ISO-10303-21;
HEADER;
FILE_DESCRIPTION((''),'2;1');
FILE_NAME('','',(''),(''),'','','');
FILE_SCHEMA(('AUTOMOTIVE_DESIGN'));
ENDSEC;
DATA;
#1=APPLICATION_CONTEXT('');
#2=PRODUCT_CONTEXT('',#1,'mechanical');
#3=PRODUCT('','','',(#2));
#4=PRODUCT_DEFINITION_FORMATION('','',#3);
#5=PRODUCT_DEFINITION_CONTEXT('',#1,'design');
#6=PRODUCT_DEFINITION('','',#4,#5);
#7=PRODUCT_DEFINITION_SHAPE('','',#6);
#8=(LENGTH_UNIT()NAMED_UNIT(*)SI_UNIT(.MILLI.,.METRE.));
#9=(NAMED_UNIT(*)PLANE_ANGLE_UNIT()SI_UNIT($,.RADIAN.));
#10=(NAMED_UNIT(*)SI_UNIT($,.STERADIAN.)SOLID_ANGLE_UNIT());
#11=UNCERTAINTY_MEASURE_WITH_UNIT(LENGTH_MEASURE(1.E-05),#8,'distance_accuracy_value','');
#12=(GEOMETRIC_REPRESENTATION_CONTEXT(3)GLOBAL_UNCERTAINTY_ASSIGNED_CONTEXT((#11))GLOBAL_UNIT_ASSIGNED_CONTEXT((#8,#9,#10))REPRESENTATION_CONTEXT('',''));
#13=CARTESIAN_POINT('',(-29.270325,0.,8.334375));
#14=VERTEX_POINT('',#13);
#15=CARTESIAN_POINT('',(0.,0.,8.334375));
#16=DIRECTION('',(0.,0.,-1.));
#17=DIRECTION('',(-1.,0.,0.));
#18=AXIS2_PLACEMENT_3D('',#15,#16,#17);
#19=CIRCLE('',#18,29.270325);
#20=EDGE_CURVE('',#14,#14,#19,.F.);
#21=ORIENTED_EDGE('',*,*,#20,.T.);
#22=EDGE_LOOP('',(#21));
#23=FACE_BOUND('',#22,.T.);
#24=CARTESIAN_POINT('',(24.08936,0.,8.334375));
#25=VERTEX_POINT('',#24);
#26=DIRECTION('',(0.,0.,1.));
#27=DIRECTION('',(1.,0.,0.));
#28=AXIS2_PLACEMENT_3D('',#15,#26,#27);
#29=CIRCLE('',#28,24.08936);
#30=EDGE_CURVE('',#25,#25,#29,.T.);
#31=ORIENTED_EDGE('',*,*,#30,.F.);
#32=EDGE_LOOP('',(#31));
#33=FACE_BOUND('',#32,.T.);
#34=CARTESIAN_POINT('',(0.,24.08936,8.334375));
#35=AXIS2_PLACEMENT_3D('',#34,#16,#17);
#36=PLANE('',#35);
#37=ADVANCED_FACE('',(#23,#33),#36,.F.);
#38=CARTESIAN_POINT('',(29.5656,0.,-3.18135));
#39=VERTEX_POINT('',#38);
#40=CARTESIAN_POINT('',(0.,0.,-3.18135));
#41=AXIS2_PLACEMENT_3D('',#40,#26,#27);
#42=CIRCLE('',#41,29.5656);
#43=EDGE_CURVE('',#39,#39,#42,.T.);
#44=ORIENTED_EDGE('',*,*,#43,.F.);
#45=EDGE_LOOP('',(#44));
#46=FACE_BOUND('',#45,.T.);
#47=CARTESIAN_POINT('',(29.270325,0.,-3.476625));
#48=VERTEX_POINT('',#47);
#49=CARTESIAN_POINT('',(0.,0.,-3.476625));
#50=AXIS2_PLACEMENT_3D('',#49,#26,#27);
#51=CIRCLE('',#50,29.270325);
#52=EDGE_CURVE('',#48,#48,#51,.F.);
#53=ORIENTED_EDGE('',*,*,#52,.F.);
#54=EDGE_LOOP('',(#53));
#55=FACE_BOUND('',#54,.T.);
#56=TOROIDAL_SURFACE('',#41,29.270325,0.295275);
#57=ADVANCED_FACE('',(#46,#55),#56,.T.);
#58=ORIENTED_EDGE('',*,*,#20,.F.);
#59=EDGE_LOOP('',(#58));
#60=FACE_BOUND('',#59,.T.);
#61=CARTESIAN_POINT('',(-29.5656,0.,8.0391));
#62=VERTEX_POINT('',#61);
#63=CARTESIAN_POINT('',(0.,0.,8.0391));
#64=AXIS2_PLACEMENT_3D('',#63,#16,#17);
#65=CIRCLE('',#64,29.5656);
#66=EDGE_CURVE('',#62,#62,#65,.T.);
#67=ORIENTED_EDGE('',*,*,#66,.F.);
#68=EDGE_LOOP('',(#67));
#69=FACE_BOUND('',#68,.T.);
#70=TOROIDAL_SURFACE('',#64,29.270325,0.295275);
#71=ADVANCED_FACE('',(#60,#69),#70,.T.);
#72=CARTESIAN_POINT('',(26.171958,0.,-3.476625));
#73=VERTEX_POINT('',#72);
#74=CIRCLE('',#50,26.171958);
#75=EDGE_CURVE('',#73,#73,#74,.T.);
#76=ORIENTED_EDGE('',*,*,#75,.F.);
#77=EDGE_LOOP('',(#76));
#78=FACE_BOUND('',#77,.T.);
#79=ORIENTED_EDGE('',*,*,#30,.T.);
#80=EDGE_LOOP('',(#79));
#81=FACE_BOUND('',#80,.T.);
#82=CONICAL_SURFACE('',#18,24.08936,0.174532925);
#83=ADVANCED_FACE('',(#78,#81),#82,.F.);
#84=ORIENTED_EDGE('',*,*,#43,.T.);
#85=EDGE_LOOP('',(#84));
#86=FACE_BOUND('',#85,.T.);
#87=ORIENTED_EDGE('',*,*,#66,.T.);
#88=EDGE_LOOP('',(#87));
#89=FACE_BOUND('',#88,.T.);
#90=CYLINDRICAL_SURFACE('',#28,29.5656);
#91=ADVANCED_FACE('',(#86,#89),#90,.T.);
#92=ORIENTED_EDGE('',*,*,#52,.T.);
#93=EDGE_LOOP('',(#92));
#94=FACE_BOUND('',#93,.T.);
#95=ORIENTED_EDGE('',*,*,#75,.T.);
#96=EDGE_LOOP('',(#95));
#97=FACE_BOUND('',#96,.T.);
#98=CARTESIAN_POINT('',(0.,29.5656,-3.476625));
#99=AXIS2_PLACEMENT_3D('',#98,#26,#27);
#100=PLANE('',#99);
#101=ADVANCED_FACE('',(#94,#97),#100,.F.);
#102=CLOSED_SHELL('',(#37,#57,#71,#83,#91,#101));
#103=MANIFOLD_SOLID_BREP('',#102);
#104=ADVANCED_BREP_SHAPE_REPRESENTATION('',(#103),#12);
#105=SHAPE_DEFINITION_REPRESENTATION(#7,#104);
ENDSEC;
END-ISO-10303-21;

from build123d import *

# Parameters (mm, degrees)
FILLET1_R = 0.295275


with BuildPart() as part:
    # Sketch1 → Revolve1 (revolve)
    with BuildSketch(Plane(origin=(0, 0, 0), x_dir=(0, 0, -1), z_dir=(1, 0, 0))):
        Polygon((-8.334375, 29.5656), (3.476625, 29.5656), (3.476625, 26.171957969), (-8.334375, 24.08936), align=None)
    revolve(axis=Axis((0, 0, 8.334375), (0, 0, -1)))

    # Fillet1
    fillet1_edges = [part.edges().sort_by_distance(p)[0] for p in [
        (0, -29.5656, -3.476625),
        (0, -29.5656, 8.334375),
    ]]
    fillet(fillet1_edges, radius=FILLET1_R)


solid = part.part
